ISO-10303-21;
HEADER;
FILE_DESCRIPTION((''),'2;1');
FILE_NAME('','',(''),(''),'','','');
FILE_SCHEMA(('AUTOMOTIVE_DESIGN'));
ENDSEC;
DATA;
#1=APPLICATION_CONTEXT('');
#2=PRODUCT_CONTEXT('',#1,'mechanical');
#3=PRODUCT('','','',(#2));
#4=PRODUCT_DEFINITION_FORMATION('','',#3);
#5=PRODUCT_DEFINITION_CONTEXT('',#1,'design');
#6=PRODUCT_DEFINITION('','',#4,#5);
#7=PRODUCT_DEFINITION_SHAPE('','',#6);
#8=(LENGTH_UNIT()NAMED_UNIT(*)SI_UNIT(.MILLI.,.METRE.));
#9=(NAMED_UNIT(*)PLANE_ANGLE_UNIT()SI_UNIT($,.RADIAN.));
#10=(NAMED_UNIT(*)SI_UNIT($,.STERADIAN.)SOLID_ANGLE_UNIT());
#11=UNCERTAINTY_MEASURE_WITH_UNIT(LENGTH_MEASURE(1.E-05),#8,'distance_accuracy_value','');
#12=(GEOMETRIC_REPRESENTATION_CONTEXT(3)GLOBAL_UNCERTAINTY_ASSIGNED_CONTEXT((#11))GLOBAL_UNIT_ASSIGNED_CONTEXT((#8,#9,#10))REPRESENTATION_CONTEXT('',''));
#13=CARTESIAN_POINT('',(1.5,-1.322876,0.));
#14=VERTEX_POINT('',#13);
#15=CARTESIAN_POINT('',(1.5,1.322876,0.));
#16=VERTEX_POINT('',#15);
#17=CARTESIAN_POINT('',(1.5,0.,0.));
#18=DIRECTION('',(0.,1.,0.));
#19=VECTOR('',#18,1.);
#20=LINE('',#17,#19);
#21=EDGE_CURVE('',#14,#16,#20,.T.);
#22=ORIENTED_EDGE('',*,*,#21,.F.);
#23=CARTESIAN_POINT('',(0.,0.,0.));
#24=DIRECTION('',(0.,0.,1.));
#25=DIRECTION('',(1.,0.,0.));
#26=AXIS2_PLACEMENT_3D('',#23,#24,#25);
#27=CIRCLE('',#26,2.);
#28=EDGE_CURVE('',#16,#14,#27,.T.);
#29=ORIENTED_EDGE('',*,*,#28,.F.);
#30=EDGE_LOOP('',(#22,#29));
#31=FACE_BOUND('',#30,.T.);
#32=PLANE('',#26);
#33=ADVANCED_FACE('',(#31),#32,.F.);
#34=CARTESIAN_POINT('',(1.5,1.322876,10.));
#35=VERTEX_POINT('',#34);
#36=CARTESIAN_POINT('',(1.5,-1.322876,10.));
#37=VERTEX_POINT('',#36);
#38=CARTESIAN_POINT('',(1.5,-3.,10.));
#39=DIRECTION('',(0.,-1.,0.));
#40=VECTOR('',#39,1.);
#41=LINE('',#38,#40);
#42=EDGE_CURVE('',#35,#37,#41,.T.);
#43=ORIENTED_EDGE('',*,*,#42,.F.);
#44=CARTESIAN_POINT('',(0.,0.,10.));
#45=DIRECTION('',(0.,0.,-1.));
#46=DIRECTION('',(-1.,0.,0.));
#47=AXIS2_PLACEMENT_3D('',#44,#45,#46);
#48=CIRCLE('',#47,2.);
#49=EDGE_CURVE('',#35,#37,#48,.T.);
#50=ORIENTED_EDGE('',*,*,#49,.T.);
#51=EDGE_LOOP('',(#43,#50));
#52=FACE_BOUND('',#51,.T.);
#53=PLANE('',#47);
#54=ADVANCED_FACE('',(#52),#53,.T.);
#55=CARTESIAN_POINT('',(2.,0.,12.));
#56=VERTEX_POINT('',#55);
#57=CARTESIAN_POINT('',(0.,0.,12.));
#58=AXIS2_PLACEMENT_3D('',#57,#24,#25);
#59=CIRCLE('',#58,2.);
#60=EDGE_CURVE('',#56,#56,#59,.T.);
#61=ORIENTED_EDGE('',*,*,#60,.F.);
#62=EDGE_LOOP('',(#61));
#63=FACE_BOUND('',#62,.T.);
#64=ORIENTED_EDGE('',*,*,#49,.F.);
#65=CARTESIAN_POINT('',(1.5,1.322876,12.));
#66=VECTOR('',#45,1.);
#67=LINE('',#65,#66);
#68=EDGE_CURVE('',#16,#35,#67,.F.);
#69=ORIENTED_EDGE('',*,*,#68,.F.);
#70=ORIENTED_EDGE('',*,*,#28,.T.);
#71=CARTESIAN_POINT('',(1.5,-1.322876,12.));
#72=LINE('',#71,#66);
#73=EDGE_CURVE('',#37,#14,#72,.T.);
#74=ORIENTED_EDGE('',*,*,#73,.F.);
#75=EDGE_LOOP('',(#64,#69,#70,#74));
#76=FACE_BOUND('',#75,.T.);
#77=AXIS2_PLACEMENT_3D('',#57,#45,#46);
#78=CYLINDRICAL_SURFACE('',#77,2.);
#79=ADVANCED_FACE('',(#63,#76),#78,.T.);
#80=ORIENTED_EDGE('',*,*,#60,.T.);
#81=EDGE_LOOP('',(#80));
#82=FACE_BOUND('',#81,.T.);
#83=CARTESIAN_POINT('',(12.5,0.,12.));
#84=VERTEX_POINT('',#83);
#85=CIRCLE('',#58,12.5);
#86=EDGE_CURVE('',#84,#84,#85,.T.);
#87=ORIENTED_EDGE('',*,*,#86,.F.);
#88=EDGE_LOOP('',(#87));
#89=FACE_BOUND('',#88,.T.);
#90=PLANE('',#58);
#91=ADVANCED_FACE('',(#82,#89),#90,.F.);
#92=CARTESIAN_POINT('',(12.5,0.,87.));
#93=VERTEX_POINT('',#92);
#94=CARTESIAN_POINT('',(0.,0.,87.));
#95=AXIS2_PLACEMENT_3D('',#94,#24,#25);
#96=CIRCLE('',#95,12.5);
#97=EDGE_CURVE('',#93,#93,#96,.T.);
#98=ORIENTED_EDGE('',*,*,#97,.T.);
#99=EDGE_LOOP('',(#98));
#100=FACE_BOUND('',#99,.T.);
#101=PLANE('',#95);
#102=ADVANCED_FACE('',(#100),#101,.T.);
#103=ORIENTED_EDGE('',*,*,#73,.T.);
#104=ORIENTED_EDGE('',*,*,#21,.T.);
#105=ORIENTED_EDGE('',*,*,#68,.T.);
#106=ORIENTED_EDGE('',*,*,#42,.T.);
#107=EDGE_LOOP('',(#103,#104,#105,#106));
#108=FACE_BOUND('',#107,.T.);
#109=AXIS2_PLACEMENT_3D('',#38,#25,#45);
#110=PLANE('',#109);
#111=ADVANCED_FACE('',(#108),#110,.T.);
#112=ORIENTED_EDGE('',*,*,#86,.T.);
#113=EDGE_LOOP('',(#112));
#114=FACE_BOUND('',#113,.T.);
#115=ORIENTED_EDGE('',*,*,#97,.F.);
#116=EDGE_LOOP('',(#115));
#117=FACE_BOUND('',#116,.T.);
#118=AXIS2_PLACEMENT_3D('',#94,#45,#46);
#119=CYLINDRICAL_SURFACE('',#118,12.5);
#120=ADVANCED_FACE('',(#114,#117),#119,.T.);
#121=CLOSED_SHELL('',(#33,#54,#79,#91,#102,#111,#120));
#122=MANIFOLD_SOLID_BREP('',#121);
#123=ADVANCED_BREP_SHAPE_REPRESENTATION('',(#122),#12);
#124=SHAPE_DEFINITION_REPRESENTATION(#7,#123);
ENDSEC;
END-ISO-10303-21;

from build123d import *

# Parameters (mm, degrees)
SKETCH1_R    = 2
SHAFT_DEPTH  = 12
SKETCH2_R    = 12.5
BODY_DEPTH   = 75
SKETCH3_W    = 3
SKETCH3_H    = 6
D_FLAT_DEPTH = 10


with BuildPart() as part:
    # Sketch1 → Shaft (new body)
    with BuildSketch(Plane.XY):
        Circle(SKETCH1_R)
    extrude(amount=SHAFT_DEPTH)

    # Sketch2 → Body (add)
    with BuildSketch(Plane.XY.offset(12)):
        Circle(SKETCH2_R)
    extrude(amount=BODY_DEPTH)

    # Sketch3 → D_flat (cut)
    with BuildSketch(Plane.XY):
        with Locations((3, 0)):
            Rectangle(SKETCH3_W, SKETCH3_H)
    extrude(amount=D_FLAT_DEPTH, mode=Mode.SUBTRACT)


solid = part.part
